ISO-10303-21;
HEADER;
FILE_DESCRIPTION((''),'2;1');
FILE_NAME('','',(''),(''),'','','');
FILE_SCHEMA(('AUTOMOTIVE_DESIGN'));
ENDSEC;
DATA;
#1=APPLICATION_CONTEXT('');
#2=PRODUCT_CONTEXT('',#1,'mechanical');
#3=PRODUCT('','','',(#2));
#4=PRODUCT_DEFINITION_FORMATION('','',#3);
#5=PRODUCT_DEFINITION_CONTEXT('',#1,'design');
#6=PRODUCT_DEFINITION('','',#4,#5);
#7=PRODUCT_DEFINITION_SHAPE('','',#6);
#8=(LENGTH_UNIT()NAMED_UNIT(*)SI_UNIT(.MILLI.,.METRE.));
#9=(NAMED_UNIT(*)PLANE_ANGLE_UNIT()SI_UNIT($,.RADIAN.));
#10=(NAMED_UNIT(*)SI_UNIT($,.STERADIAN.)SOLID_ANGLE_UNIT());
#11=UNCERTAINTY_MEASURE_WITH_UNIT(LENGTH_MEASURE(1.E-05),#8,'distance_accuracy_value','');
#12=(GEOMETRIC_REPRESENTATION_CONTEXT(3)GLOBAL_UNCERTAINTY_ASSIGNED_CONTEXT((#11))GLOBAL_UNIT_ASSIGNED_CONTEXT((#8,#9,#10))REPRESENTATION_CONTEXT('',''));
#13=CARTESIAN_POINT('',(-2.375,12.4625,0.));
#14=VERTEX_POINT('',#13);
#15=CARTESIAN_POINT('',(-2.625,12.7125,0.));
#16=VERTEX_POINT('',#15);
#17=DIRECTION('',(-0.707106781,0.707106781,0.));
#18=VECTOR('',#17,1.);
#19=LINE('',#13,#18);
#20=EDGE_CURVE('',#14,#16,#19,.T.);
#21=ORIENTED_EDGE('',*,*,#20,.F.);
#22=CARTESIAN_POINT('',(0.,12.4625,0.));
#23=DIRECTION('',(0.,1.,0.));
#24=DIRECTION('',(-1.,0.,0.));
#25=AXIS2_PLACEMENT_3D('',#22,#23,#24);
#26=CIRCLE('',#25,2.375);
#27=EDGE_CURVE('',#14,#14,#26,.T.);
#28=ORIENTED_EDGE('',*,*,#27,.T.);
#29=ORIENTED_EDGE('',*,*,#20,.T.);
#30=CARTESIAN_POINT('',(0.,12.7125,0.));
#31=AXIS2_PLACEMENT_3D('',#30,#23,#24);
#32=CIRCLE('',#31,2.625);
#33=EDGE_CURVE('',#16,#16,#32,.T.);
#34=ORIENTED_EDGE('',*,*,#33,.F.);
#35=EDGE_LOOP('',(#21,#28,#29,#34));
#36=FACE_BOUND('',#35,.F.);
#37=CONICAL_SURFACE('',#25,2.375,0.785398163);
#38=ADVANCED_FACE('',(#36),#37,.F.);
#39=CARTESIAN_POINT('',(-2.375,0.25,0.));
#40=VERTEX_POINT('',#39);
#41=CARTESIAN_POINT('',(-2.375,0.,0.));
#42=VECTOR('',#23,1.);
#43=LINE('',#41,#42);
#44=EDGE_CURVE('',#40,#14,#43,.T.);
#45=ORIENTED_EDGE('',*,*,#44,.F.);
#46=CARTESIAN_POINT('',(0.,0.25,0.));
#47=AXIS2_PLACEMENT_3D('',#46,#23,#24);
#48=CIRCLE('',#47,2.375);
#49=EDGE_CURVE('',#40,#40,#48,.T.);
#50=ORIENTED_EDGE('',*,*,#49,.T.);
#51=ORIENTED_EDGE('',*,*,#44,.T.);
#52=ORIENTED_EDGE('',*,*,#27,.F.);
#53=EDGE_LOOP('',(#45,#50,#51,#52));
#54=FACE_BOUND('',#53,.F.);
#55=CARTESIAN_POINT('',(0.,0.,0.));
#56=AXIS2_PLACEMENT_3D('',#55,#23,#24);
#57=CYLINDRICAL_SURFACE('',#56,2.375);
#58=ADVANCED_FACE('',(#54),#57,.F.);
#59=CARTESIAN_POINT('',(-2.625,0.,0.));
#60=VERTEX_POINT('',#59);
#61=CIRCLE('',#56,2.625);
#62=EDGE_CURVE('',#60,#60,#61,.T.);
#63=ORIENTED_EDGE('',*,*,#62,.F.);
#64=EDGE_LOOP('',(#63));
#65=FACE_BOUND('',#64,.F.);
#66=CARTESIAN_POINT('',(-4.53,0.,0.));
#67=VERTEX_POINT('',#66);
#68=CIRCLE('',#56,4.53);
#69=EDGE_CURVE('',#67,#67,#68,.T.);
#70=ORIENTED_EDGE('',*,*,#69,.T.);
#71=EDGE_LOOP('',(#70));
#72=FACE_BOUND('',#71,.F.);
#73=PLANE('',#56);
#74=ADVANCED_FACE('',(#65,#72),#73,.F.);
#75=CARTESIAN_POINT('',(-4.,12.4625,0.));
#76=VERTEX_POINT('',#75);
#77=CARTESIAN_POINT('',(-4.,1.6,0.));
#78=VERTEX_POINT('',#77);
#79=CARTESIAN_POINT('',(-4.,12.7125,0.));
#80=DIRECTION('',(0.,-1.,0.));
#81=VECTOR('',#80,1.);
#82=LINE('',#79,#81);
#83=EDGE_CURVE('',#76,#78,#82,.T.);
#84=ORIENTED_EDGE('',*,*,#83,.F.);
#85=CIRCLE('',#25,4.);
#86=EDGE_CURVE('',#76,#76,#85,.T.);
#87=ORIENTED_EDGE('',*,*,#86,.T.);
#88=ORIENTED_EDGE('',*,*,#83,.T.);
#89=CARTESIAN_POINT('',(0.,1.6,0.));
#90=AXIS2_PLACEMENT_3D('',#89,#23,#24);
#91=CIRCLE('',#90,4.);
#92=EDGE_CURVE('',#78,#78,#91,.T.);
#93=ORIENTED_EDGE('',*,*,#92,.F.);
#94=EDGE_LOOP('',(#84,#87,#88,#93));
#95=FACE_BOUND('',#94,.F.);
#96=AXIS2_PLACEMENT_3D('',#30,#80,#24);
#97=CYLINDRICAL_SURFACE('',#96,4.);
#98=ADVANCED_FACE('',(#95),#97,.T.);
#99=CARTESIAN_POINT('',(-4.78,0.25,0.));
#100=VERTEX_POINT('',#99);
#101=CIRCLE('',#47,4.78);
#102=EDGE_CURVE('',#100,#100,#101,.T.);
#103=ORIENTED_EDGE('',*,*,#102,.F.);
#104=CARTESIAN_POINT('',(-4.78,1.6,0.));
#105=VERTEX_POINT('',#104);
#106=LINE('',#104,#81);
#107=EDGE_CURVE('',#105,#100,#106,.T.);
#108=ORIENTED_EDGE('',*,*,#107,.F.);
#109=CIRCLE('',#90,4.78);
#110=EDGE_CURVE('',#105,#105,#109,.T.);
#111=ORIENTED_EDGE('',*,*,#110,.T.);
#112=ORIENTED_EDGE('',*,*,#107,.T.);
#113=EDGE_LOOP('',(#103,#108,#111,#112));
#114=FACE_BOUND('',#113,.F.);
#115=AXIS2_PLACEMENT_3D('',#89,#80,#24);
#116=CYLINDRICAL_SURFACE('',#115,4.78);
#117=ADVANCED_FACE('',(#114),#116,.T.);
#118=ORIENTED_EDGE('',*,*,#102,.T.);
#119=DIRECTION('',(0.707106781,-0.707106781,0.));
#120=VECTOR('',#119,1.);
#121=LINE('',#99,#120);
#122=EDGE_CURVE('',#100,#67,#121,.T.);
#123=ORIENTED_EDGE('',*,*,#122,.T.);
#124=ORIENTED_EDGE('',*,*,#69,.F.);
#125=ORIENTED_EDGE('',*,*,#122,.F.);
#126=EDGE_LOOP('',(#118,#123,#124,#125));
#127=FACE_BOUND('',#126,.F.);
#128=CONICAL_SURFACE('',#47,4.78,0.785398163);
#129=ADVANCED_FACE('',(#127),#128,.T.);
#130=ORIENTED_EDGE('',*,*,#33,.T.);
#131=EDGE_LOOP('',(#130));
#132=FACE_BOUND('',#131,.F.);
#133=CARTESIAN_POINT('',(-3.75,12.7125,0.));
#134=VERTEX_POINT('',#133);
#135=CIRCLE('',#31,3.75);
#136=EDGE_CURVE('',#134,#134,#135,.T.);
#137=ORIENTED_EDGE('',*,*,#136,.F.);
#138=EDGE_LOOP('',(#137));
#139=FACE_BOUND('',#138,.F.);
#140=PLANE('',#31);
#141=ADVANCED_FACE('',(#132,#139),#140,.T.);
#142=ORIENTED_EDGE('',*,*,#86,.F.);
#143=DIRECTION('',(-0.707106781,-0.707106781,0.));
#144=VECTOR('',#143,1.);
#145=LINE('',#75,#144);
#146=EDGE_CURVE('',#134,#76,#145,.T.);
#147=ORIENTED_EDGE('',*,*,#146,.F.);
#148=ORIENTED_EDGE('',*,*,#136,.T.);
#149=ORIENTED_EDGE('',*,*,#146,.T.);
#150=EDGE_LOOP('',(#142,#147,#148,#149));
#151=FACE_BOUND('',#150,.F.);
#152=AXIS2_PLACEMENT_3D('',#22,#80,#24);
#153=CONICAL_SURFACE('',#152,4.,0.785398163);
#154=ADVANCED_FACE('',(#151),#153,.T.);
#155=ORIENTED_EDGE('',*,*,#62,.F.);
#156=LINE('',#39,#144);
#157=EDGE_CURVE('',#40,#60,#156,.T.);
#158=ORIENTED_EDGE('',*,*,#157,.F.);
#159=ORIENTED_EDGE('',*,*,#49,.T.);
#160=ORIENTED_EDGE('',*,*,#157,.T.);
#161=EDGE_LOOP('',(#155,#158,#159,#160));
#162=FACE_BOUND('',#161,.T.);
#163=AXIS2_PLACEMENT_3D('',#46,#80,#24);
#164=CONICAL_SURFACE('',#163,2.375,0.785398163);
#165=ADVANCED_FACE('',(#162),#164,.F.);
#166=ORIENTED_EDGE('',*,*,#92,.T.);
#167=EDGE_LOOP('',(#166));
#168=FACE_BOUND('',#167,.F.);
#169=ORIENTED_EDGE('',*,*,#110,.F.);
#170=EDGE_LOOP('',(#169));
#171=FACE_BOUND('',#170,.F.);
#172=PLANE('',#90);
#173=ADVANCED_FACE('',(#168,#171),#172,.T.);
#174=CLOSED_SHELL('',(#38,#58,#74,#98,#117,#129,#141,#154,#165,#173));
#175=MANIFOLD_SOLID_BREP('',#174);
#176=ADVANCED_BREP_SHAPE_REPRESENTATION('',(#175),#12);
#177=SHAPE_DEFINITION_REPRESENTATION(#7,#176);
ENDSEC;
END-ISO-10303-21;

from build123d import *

# Parameters (mm, degrees)
CHAMFER1_SIZE = 0.25


with BuildPart() as part:
    # Sketch1 → Revolve1 (revolve)
    with BuildSketch(Plane.XY):
        Polygon((-2.375, 0), (-2.375, 12.7125), (-4, 12.7125), (-4, 1.6), (-4.78, 1.6), (-4.78, 0), align=None)
    revolve(axis=Axis((0, 0, 0), (0, 1, 0)))

    # Chamfer1
    chamfer1_edges = [part.edges().sort_by_distance(p)[0] for p in [
        (4.78, 0, 0),
        (4, 12.7125, 0),
        (2.375, 12.7125, 0),
        (2.375, 0, 0),
    ]]
    chamfer(chamfer1_edges, length=CHAMFER1_SIZE)


solid = part.part
